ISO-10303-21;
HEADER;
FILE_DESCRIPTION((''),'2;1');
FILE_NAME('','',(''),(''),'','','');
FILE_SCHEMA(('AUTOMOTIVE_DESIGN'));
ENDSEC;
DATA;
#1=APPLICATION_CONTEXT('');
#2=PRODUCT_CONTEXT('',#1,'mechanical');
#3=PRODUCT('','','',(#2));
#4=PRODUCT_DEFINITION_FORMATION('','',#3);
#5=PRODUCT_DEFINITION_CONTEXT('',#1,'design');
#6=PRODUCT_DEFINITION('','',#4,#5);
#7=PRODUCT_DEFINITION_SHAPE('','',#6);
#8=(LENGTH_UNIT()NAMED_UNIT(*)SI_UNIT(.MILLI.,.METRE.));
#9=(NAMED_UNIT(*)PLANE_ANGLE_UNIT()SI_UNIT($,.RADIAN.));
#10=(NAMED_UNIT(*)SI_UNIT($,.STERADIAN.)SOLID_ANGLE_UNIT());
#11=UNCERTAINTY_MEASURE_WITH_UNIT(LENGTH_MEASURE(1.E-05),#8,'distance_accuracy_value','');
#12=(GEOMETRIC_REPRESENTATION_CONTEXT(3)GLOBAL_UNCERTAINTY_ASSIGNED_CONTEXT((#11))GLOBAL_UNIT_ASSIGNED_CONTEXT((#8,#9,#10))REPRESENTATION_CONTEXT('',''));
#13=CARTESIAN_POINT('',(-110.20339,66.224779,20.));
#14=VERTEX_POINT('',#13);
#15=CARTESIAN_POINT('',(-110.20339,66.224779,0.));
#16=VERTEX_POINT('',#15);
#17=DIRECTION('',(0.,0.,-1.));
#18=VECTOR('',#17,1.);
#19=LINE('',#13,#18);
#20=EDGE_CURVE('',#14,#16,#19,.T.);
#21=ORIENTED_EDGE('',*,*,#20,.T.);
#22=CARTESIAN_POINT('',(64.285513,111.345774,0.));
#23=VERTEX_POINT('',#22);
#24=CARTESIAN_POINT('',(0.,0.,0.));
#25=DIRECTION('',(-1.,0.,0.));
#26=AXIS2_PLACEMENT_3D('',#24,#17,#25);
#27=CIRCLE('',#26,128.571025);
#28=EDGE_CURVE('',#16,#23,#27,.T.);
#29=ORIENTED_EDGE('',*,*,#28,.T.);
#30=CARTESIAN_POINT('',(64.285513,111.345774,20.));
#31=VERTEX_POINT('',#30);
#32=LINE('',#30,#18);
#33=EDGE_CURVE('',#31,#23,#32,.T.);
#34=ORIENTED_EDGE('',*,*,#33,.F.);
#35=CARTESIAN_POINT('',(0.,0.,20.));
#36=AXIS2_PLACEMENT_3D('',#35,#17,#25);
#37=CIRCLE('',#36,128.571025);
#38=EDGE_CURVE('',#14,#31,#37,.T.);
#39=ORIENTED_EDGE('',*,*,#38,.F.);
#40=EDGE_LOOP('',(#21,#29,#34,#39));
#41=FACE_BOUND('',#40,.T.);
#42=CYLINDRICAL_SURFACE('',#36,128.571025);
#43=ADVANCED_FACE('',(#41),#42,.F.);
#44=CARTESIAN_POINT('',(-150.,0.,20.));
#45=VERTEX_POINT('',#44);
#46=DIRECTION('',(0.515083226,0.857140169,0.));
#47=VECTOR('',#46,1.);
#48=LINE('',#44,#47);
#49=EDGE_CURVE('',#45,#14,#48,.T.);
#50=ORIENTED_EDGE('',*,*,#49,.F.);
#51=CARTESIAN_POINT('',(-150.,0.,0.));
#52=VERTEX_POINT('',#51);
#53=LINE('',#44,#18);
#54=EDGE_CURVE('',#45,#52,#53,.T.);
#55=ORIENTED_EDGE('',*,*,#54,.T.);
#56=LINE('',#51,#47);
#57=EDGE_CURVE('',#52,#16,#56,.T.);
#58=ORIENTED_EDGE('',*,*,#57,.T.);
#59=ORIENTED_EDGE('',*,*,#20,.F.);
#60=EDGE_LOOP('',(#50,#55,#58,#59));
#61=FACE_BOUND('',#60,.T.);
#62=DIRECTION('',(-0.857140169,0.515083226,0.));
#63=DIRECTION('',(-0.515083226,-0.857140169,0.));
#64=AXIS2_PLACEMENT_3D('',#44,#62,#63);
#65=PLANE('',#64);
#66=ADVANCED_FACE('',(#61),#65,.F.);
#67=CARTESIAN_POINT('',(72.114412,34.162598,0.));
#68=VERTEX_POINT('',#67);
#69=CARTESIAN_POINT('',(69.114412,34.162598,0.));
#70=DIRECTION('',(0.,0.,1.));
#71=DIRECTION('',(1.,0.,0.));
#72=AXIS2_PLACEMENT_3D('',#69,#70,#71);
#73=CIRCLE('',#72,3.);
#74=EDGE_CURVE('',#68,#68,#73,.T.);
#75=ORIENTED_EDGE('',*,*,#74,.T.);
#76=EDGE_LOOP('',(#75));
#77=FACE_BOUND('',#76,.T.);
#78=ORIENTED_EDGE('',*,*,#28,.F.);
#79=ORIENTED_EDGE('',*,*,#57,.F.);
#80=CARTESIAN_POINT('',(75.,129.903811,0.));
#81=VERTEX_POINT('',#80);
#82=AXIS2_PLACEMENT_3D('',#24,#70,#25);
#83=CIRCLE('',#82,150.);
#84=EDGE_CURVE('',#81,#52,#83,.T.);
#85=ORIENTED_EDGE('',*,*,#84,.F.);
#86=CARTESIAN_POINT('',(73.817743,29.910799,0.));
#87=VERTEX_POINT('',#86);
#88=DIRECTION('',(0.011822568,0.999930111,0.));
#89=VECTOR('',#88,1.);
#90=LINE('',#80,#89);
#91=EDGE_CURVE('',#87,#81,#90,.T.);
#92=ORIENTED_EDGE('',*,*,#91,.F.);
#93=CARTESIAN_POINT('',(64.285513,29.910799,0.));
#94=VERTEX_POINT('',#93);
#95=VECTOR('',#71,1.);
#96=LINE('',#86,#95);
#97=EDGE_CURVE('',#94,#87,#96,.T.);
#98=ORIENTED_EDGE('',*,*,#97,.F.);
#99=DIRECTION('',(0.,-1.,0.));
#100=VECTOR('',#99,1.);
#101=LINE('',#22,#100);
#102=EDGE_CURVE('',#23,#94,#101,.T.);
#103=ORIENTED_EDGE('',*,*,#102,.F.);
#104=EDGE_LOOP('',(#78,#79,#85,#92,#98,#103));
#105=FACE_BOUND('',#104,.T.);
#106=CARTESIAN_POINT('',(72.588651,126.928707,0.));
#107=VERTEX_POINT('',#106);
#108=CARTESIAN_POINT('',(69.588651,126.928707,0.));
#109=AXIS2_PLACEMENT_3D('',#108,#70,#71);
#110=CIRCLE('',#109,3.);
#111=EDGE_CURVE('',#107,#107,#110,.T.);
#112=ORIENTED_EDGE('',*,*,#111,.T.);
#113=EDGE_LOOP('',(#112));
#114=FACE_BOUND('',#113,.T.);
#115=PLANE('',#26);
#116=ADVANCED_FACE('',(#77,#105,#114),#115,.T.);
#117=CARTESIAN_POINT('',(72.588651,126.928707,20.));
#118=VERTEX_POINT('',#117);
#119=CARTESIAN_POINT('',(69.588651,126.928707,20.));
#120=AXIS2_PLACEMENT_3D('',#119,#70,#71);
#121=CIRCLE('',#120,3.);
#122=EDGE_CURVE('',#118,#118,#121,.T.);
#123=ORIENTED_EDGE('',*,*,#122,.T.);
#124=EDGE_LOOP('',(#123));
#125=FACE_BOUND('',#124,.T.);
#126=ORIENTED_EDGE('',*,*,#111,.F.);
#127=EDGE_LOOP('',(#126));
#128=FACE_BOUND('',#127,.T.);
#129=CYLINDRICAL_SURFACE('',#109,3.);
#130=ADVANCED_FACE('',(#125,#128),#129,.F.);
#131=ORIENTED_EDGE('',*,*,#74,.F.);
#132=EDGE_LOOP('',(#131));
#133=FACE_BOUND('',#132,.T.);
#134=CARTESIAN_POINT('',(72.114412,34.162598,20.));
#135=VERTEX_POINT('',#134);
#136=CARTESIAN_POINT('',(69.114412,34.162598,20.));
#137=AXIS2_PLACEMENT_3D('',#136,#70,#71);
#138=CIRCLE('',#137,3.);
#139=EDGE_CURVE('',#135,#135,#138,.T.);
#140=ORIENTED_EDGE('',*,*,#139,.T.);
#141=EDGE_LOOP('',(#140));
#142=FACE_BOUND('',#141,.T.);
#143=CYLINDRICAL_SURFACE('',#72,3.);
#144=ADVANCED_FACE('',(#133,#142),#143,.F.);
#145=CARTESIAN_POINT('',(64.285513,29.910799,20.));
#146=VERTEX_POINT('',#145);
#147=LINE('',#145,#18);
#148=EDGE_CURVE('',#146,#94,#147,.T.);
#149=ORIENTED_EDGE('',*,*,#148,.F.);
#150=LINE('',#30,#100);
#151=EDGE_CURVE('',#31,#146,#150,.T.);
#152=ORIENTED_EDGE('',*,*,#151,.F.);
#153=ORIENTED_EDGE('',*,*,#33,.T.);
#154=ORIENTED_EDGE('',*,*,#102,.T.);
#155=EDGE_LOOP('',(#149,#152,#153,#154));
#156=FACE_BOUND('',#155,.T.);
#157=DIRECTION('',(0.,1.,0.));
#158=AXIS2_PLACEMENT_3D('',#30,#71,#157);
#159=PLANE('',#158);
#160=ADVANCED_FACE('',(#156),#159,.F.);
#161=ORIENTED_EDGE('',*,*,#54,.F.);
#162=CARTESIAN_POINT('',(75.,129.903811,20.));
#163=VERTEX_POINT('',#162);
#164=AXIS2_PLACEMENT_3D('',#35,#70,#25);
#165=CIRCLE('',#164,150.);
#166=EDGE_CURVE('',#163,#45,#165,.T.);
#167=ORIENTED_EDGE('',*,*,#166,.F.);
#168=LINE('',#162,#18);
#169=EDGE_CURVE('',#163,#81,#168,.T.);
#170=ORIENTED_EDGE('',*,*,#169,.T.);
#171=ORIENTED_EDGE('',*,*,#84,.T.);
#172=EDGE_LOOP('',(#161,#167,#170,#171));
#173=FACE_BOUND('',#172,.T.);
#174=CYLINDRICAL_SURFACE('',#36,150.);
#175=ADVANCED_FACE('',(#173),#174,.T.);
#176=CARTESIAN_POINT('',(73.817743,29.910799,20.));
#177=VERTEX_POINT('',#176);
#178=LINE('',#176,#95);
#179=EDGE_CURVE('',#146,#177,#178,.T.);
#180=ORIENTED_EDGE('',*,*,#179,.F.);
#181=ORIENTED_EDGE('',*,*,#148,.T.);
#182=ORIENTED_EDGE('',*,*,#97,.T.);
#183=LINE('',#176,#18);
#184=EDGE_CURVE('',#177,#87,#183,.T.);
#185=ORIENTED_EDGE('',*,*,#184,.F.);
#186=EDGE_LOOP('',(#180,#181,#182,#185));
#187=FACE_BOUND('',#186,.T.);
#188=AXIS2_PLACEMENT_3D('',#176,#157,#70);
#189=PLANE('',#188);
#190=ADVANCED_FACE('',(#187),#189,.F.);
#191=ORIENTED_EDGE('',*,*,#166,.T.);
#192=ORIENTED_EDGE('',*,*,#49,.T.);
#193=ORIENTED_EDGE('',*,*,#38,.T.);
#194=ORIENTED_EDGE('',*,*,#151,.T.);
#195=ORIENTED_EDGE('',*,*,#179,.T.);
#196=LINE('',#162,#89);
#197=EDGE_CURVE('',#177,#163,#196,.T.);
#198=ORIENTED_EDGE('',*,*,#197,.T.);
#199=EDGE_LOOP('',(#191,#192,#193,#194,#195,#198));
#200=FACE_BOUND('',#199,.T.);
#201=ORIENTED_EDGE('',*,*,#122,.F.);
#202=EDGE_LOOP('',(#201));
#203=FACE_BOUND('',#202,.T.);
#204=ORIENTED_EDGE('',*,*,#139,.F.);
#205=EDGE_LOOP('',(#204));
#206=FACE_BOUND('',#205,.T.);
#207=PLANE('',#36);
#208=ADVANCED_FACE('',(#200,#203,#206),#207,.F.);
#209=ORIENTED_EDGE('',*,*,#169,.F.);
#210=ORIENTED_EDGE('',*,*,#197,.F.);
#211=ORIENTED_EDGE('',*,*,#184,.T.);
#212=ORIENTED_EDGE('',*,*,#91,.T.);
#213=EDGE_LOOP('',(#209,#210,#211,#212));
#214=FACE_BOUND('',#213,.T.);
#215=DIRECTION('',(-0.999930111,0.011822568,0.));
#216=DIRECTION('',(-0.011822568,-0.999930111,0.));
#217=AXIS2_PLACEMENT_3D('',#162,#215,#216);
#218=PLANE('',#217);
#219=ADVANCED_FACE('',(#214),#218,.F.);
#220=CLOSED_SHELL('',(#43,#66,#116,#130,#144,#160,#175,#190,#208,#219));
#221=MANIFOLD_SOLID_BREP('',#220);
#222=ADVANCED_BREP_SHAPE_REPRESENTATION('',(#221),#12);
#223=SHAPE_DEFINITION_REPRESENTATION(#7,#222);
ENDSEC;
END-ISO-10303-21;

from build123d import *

# Parameters (mm, degrees)
EXTRUDE_2_DEPTH     = 20
SKETCH_10_R         = 3
CUT_EXTRUDE_1_DEPTH = 214.072757527
SKETCH_11_R         = 3
CUT_EXTRUDE_2_DEPTH = 214.072757527


with BuildPart() as part:
    # 草图9 → 凸台-拉伸2 (new body)
    with BuildSketch(Plane.XY):
        with BuildLine():
            Line((-150, 0), (-110.203390468, 66.224778592))
            ThreePointArc((-110.203390468, 66.224778592), (-32.188335395, 124.476582676), (64.285512696, 111.345774179))
            Line((64.285512696, 111.345774179), (64.285512696, 29.910799468))
            Line((64.285512696, 29.910799468), (73.817743163, 29.910799468))
            Line((73.817743163, 29.910799468), (75, 129.903810568))
            ThreePointArc((75, 129.903810568), (-75, 129.903810568), (-150, 0))
        make_face()
    extrude(amount=EXTRUDE_2_DEPTH)

    # 草图10 → 切除-拉伸1 (cut, through all)
    with BuildSketch(Plane.XY.offset(20)):
        with Locations((69.588650595, 126.928706674)):
            Circle(SKETCH_10_R)
    extrude(amount=-CUT_EXTRUDE_1_DEPTH, mode=Mode.SUBTRACT)

    # 草图11 → 切除-拉伸2 (cut, through all)
    with BuildSketch(Plane.XY.offset(20)):
        with Locations((69.114412229, 34.162597533)):
            Circle(SKETCH_11_R)
    extrude(amount=-CUT_EXTRUDE_2_DEPTH, mode=Mode.SUBTRACT)


solid = part.part
